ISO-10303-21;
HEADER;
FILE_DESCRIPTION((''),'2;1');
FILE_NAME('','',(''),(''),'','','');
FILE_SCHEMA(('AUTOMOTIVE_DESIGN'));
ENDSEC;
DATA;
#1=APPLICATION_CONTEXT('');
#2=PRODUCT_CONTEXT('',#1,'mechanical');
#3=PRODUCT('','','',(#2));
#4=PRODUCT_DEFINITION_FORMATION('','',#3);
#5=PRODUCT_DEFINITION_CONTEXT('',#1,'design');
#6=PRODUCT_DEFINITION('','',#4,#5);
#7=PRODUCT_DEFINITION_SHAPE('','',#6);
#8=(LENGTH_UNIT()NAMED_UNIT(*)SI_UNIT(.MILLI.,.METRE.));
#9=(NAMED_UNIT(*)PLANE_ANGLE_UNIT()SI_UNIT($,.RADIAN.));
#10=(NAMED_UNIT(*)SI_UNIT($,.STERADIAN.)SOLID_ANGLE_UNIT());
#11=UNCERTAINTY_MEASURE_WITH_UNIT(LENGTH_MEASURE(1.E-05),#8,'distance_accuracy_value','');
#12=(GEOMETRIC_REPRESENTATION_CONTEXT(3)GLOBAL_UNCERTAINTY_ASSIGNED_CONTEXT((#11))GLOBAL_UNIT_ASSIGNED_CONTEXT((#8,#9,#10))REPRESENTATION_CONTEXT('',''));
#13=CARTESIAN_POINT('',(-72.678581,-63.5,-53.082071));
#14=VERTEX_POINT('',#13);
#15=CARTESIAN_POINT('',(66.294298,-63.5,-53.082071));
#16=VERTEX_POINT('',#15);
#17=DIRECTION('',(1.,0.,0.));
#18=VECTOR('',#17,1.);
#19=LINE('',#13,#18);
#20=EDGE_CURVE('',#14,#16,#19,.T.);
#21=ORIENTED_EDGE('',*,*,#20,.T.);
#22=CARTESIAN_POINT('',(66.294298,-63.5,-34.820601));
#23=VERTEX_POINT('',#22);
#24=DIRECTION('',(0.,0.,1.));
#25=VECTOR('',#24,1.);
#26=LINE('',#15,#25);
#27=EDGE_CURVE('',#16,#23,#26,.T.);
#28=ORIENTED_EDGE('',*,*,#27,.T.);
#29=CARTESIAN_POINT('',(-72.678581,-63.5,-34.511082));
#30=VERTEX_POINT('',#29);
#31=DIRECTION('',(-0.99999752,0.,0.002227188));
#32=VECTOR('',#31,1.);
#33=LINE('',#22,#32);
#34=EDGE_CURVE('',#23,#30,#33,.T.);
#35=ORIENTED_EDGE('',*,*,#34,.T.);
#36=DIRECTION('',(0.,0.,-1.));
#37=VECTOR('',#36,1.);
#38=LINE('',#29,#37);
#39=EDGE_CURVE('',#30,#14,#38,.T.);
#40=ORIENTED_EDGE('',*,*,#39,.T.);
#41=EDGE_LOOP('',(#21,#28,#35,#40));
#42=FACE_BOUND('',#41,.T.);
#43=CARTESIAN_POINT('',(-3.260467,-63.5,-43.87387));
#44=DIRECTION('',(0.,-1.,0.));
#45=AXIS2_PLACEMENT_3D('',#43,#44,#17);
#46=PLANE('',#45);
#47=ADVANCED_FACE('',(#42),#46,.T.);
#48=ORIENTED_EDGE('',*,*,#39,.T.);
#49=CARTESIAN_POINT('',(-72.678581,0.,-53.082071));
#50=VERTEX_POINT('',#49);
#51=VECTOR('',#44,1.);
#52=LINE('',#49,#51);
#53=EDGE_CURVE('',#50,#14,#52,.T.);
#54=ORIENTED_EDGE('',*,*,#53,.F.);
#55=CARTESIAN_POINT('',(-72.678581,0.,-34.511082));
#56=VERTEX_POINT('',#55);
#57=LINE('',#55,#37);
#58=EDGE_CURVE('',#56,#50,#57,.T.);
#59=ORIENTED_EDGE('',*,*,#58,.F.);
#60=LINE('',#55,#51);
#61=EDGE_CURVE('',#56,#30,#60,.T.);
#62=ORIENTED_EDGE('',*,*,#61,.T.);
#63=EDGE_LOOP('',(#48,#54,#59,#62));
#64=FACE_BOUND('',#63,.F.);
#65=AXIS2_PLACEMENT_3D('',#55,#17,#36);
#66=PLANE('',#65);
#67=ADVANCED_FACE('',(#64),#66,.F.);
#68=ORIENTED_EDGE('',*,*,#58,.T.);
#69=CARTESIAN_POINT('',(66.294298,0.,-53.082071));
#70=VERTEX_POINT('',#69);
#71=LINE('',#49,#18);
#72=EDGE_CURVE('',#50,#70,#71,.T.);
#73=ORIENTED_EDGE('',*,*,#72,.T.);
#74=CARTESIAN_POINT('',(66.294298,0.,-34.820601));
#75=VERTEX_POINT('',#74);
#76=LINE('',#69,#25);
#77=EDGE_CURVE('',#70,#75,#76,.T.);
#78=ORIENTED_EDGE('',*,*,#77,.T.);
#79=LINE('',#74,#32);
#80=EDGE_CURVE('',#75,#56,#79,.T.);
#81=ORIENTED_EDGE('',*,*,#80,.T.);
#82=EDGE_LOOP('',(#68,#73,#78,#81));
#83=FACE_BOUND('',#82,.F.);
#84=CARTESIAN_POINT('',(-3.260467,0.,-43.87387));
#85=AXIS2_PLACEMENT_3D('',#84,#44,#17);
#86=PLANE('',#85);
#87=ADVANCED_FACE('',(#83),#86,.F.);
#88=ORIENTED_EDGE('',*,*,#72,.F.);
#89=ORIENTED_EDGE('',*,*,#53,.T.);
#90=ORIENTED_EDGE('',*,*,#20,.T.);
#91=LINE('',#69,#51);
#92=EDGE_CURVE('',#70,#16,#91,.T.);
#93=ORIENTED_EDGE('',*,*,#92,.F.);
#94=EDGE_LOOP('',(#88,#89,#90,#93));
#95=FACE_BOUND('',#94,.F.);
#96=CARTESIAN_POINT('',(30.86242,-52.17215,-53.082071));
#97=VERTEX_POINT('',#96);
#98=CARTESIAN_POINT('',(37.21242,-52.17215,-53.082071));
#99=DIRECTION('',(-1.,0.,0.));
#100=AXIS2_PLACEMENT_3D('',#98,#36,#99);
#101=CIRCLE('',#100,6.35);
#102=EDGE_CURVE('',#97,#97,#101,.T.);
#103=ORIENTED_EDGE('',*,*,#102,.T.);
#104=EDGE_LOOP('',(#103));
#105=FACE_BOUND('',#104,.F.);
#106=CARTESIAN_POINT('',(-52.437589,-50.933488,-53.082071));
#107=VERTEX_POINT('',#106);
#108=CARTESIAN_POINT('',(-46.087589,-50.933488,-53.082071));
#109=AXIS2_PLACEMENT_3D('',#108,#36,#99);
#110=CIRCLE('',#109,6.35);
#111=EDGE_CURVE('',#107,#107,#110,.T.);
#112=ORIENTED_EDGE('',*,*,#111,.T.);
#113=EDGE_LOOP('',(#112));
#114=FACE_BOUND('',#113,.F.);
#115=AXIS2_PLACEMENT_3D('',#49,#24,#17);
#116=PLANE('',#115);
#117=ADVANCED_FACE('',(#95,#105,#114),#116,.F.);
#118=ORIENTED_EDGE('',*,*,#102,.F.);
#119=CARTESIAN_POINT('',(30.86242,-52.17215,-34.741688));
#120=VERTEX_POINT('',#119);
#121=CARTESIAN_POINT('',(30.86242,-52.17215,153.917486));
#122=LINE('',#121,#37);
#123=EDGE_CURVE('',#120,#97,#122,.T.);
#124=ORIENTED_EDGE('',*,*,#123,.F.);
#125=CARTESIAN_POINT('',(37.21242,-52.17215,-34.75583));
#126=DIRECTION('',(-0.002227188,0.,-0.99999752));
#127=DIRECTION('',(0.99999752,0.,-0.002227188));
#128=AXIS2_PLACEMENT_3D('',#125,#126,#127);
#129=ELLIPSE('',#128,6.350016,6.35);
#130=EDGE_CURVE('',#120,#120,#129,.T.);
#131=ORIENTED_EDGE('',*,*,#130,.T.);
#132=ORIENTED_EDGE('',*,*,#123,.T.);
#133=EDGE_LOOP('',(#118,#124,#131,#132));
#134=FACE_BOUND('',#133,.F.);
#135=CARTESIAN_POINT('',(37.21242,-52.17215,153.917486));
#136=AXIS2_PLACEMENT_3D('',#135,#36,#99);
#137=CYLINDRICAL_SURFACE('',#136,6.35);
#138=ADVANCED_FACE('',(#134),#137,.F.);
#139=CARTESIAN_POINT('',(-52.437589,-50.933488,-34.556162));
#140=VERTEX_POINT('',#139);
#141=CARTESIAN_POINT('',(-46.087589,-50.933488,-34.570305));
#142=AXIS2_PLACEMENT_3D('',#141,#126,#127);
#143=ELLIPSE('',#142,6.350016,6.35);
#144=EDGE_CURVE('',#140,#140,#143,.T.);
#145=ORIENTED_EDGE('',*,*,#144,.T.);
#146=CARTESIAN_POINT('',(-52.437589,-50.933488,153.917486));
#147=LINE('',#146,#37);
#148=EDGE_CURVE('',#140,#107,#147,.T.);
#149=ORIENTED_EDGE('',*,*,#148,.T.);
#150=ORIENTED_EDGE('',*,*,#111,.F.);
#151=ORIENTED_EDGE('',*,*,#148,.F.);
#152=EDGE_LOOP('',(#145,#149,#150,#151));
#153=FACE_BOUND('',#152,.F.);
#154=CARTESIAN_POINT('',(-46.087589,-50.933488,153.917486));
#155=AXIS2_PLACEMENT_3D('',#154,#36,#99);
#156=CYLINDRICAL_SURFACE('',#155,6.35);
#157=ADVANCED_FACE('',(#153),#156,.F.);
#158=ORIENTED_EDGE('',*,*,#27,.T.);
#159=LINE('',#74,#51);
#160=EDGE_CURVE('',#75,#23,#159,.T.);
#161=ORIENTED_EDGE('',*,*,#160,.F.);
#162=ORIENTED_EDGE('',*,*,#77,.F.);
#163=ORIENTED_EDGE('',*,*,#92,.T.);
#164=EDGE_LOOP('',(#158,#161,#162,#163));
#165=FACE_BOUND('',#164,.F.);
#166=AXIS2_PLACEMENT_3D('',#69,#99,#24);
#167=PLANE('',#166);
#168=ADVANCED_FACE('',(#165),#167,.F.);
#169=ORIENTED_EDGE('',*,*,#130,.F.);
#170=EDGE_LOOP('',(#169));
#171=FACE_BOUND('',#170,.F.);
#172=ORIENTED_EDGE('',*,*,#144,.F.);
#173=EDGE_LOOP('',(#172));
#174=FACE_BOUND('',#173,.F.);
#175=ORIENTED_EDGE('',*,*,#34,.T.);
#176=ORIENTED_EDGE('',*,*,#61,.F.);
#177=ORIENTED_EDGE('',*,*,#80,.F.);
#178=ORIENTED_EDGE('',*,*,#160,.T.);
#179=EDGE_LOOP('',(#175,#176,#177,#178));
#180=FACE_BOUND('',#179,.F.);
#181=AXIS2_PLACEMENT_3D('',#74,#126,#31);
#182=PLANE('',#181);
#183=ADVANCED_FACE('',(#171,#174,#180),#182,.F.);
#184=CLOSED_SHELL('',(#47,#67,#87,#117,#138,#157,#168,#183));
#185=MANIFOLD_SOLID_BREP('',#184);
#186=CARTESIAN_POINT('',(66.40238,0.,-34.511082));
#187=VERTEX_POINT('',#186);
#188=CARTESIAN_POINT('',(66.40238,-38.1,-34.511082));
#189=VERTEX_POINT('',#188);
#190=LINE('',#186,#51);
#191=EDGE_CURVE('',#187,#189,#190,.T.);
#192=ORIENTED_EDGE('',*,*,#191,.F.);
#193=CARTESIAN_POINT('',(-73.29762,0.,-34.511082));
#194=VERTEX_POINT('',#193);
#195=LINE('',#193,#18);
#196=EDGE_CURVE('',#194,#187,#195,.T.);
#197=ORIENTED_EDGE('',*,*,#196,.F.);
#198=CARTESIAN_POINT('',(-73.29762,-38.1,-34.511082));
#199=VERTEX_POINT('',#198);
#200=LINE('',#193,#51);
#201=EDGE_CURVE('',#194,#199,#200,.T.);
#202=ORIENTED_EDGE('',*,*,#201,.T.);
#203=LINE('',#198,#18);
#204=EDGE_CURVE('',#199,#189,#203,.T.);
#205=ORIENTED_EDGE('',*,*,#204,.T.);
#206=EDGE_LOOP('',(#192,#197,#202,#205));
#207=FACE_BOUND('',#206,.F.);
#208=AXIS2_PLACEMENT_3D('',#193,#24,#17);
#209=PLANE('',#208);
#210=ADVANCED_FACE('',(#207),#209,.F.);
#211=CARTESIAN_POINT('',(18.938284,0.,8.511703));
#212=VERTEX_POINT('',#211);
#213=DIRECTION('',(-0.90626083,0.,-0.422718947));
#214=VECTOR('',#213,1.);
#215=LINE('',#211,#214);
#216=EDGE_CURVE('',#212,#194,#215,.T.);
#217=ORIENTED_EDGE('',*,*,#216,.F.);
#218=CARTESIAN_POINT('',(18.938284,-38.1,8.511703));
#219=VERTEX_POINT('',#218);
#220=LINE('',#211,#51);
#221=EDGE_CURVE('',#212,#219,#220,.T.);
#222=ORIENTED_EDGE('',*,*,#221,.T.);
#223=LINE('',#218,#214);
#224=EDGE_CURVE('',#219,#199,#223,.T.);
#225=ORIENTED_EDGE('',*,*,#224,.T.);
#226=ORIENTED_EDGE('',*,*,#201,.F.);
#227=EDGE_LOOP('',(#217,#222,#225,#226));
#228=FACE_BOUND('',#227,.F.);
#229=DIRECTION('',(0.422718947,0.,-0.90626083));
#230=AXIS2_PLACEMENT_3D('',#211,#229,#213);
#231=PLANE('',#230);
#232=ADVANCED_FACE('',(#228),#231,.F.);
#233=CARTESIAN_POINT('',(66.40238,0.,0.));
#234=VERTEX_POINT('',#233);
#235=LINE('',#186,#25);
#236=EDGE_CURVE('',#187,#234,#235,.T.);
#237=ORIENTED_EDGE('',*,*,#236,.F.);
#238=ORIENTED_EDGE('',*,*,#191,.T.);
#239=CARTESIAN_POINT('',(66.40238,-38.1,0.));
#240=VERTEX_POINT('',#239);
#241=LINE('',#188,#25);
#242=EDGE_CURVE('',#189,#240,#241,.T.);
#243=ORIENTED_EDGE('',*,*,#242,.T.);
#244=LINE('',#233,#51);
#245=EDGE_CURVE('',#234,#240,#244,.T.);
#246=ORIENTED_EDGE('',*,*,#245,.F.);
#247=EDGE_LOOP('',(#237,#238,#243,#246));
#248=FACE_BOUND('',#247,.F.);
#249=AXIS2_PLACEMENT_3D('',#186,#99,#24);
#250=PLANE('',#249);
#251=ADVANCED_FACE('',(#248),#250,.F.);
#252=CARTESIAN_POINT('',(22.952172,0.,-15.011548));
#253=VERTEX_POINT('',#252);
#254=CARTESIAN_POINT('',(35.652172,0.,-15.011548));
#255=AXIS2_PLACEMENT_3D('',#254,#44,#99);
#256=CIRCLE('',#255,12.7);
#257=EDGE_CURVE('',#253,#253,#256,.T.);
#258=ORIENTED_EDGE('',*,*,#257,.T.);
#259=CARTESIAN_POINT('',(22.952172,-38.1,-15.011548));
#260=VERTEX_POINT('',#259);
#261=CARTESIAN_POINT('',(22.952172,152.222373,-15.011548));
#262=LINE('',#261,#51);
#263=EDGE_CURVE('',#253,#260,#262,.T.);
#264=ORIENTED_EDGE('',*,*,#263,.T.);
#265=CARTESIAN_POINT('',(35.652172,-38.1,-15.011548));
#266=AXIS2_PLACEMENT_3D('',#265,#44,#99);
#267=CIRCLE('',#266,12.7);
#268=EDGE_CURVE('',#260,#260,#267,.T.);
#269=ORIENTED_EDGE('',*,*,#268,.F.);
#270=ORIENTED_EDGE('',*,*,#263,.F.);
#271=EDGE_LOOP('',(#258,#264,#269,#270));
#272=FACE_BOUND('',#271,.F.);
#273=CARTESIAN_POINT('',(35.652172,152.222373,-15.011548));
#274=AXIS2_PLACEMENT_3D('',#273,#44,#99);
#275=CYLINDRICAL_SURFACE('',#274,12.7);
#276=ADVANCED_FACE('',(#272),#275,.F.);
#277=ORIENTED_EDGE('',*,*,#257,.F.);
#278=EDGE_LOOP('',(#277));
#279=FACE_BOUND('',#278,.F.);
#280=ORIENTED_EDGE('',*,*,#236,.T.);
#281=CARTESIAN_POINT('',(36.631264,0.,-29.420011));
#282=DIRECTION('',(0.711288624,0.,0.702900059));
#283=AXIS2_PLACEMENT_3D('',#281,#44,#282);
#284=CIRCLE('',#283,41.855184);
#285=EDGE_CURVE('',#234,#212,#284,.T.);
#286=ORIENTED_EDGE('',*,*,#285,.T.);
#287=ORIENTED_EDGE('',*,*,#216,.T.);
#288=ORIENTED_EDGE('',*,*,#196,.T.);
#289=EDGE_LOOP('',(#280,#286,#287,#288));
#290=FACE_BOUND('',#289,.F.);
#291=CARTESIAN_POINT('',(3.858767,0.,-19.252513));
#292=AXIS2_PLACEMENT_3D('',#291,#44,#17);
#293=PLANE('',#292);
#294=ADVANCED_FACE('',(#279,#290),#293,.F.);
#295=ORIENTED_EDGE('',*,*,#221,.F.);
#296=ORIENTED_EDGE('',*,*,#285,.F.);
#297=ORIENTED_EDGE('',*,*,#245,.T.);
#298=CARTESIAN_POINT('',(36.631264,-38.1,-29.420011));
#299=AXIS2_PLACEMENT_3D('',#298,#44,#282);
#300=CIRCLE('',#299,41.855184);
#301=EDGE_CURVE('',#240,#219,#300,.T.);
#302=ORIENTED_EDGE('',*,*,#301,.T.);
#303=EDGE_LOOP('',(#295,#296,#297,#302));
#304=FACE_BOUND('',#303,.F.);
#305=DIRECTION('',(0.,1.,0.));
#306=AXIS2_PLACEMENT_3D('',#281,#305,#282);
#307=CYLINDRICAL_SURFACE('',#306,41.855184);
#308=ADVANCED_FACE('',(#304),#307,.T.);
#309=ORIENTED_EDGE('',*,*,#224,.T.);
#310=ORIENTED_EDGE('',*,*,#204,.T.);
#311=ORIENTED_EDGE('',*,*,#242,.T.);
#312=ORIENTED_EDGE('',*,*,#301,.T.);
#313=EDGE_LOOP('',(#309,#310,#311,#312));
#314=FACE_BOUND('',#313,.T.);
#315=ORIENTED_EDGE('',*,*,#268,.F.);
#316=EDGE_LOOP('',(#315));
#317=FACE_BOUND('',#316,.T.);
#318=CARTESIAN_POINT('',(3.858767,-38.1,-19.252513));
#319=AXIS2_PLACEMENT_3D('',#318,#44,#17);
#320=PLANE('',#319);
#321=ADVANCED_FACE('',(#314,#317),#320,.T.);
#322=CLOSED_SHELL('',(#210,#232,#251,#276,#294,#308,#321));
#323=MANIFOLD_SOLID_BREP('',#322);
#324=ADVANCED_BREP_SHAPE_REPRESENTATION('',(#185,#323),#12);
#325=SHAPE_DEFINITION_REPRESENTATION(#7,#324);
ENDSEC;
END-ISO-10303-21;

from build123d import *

# Parameters (mm, degrees)
F2_DEPTH = 38.1
F3_DEPTH = 63.5
F5_D     = 25.4
F7_D     = 12.7
F9_D     = 12.7


with BuildPart() as f2:
    # F0 (on Front) → F2 (new body)
    with BuildSketch(Plane.XZ):
        with BuildLine():
            Line((18.9382843673, 8.5117025301), (-73.2976198196, -34.5110818744))
            Line((-73.2976198196, -34.5110818744), (66.4023801804, -34.5110818744))
            Line((66.4023801804, -34.5110818744), (66.4023801804, 0))
            ThreePointArc((66.4023801804, 0), (44.0192688045, 11.7779718411), (18.9382843673, 8.5117025301))
        make_face()
    extrude(amount=F2_DEPTH)

    # F5 (through all)
    with Locations(Plane(origin=(0, 0, 0), x_dir=(1, 0, 0), z_dir=(0, 1, 0))):
        with Locations((35.6521718204, 15.0115480646)):
            Hole(F5_D / 2)


with BuildPart() as f3:
    # F1 (on Front) → F3 (new body)
    with BuildSketch(Plane.XZ):
        Polygon((66.294297576, -53.0820712447), (66.294297576, -34.8206013441), (-72.6785808802, -34.5110818744), (-72.6785808802, -53.0820712447), align=None)
    extrude(amount=F3_DEPTH)

    # F7 (through all)
    with Locations(Plane.XY):
        with Locations((-46.0875891149, -50.9334877133)):
            Hole(F7_D / 2)

    # F9 (through all)
    with Locations(Plane.XY):
        with Locations((37.2124202549, -52.1721504629)):
            Hole(F9_D / 2)


solid = Compound([f2.part, f3.part])
